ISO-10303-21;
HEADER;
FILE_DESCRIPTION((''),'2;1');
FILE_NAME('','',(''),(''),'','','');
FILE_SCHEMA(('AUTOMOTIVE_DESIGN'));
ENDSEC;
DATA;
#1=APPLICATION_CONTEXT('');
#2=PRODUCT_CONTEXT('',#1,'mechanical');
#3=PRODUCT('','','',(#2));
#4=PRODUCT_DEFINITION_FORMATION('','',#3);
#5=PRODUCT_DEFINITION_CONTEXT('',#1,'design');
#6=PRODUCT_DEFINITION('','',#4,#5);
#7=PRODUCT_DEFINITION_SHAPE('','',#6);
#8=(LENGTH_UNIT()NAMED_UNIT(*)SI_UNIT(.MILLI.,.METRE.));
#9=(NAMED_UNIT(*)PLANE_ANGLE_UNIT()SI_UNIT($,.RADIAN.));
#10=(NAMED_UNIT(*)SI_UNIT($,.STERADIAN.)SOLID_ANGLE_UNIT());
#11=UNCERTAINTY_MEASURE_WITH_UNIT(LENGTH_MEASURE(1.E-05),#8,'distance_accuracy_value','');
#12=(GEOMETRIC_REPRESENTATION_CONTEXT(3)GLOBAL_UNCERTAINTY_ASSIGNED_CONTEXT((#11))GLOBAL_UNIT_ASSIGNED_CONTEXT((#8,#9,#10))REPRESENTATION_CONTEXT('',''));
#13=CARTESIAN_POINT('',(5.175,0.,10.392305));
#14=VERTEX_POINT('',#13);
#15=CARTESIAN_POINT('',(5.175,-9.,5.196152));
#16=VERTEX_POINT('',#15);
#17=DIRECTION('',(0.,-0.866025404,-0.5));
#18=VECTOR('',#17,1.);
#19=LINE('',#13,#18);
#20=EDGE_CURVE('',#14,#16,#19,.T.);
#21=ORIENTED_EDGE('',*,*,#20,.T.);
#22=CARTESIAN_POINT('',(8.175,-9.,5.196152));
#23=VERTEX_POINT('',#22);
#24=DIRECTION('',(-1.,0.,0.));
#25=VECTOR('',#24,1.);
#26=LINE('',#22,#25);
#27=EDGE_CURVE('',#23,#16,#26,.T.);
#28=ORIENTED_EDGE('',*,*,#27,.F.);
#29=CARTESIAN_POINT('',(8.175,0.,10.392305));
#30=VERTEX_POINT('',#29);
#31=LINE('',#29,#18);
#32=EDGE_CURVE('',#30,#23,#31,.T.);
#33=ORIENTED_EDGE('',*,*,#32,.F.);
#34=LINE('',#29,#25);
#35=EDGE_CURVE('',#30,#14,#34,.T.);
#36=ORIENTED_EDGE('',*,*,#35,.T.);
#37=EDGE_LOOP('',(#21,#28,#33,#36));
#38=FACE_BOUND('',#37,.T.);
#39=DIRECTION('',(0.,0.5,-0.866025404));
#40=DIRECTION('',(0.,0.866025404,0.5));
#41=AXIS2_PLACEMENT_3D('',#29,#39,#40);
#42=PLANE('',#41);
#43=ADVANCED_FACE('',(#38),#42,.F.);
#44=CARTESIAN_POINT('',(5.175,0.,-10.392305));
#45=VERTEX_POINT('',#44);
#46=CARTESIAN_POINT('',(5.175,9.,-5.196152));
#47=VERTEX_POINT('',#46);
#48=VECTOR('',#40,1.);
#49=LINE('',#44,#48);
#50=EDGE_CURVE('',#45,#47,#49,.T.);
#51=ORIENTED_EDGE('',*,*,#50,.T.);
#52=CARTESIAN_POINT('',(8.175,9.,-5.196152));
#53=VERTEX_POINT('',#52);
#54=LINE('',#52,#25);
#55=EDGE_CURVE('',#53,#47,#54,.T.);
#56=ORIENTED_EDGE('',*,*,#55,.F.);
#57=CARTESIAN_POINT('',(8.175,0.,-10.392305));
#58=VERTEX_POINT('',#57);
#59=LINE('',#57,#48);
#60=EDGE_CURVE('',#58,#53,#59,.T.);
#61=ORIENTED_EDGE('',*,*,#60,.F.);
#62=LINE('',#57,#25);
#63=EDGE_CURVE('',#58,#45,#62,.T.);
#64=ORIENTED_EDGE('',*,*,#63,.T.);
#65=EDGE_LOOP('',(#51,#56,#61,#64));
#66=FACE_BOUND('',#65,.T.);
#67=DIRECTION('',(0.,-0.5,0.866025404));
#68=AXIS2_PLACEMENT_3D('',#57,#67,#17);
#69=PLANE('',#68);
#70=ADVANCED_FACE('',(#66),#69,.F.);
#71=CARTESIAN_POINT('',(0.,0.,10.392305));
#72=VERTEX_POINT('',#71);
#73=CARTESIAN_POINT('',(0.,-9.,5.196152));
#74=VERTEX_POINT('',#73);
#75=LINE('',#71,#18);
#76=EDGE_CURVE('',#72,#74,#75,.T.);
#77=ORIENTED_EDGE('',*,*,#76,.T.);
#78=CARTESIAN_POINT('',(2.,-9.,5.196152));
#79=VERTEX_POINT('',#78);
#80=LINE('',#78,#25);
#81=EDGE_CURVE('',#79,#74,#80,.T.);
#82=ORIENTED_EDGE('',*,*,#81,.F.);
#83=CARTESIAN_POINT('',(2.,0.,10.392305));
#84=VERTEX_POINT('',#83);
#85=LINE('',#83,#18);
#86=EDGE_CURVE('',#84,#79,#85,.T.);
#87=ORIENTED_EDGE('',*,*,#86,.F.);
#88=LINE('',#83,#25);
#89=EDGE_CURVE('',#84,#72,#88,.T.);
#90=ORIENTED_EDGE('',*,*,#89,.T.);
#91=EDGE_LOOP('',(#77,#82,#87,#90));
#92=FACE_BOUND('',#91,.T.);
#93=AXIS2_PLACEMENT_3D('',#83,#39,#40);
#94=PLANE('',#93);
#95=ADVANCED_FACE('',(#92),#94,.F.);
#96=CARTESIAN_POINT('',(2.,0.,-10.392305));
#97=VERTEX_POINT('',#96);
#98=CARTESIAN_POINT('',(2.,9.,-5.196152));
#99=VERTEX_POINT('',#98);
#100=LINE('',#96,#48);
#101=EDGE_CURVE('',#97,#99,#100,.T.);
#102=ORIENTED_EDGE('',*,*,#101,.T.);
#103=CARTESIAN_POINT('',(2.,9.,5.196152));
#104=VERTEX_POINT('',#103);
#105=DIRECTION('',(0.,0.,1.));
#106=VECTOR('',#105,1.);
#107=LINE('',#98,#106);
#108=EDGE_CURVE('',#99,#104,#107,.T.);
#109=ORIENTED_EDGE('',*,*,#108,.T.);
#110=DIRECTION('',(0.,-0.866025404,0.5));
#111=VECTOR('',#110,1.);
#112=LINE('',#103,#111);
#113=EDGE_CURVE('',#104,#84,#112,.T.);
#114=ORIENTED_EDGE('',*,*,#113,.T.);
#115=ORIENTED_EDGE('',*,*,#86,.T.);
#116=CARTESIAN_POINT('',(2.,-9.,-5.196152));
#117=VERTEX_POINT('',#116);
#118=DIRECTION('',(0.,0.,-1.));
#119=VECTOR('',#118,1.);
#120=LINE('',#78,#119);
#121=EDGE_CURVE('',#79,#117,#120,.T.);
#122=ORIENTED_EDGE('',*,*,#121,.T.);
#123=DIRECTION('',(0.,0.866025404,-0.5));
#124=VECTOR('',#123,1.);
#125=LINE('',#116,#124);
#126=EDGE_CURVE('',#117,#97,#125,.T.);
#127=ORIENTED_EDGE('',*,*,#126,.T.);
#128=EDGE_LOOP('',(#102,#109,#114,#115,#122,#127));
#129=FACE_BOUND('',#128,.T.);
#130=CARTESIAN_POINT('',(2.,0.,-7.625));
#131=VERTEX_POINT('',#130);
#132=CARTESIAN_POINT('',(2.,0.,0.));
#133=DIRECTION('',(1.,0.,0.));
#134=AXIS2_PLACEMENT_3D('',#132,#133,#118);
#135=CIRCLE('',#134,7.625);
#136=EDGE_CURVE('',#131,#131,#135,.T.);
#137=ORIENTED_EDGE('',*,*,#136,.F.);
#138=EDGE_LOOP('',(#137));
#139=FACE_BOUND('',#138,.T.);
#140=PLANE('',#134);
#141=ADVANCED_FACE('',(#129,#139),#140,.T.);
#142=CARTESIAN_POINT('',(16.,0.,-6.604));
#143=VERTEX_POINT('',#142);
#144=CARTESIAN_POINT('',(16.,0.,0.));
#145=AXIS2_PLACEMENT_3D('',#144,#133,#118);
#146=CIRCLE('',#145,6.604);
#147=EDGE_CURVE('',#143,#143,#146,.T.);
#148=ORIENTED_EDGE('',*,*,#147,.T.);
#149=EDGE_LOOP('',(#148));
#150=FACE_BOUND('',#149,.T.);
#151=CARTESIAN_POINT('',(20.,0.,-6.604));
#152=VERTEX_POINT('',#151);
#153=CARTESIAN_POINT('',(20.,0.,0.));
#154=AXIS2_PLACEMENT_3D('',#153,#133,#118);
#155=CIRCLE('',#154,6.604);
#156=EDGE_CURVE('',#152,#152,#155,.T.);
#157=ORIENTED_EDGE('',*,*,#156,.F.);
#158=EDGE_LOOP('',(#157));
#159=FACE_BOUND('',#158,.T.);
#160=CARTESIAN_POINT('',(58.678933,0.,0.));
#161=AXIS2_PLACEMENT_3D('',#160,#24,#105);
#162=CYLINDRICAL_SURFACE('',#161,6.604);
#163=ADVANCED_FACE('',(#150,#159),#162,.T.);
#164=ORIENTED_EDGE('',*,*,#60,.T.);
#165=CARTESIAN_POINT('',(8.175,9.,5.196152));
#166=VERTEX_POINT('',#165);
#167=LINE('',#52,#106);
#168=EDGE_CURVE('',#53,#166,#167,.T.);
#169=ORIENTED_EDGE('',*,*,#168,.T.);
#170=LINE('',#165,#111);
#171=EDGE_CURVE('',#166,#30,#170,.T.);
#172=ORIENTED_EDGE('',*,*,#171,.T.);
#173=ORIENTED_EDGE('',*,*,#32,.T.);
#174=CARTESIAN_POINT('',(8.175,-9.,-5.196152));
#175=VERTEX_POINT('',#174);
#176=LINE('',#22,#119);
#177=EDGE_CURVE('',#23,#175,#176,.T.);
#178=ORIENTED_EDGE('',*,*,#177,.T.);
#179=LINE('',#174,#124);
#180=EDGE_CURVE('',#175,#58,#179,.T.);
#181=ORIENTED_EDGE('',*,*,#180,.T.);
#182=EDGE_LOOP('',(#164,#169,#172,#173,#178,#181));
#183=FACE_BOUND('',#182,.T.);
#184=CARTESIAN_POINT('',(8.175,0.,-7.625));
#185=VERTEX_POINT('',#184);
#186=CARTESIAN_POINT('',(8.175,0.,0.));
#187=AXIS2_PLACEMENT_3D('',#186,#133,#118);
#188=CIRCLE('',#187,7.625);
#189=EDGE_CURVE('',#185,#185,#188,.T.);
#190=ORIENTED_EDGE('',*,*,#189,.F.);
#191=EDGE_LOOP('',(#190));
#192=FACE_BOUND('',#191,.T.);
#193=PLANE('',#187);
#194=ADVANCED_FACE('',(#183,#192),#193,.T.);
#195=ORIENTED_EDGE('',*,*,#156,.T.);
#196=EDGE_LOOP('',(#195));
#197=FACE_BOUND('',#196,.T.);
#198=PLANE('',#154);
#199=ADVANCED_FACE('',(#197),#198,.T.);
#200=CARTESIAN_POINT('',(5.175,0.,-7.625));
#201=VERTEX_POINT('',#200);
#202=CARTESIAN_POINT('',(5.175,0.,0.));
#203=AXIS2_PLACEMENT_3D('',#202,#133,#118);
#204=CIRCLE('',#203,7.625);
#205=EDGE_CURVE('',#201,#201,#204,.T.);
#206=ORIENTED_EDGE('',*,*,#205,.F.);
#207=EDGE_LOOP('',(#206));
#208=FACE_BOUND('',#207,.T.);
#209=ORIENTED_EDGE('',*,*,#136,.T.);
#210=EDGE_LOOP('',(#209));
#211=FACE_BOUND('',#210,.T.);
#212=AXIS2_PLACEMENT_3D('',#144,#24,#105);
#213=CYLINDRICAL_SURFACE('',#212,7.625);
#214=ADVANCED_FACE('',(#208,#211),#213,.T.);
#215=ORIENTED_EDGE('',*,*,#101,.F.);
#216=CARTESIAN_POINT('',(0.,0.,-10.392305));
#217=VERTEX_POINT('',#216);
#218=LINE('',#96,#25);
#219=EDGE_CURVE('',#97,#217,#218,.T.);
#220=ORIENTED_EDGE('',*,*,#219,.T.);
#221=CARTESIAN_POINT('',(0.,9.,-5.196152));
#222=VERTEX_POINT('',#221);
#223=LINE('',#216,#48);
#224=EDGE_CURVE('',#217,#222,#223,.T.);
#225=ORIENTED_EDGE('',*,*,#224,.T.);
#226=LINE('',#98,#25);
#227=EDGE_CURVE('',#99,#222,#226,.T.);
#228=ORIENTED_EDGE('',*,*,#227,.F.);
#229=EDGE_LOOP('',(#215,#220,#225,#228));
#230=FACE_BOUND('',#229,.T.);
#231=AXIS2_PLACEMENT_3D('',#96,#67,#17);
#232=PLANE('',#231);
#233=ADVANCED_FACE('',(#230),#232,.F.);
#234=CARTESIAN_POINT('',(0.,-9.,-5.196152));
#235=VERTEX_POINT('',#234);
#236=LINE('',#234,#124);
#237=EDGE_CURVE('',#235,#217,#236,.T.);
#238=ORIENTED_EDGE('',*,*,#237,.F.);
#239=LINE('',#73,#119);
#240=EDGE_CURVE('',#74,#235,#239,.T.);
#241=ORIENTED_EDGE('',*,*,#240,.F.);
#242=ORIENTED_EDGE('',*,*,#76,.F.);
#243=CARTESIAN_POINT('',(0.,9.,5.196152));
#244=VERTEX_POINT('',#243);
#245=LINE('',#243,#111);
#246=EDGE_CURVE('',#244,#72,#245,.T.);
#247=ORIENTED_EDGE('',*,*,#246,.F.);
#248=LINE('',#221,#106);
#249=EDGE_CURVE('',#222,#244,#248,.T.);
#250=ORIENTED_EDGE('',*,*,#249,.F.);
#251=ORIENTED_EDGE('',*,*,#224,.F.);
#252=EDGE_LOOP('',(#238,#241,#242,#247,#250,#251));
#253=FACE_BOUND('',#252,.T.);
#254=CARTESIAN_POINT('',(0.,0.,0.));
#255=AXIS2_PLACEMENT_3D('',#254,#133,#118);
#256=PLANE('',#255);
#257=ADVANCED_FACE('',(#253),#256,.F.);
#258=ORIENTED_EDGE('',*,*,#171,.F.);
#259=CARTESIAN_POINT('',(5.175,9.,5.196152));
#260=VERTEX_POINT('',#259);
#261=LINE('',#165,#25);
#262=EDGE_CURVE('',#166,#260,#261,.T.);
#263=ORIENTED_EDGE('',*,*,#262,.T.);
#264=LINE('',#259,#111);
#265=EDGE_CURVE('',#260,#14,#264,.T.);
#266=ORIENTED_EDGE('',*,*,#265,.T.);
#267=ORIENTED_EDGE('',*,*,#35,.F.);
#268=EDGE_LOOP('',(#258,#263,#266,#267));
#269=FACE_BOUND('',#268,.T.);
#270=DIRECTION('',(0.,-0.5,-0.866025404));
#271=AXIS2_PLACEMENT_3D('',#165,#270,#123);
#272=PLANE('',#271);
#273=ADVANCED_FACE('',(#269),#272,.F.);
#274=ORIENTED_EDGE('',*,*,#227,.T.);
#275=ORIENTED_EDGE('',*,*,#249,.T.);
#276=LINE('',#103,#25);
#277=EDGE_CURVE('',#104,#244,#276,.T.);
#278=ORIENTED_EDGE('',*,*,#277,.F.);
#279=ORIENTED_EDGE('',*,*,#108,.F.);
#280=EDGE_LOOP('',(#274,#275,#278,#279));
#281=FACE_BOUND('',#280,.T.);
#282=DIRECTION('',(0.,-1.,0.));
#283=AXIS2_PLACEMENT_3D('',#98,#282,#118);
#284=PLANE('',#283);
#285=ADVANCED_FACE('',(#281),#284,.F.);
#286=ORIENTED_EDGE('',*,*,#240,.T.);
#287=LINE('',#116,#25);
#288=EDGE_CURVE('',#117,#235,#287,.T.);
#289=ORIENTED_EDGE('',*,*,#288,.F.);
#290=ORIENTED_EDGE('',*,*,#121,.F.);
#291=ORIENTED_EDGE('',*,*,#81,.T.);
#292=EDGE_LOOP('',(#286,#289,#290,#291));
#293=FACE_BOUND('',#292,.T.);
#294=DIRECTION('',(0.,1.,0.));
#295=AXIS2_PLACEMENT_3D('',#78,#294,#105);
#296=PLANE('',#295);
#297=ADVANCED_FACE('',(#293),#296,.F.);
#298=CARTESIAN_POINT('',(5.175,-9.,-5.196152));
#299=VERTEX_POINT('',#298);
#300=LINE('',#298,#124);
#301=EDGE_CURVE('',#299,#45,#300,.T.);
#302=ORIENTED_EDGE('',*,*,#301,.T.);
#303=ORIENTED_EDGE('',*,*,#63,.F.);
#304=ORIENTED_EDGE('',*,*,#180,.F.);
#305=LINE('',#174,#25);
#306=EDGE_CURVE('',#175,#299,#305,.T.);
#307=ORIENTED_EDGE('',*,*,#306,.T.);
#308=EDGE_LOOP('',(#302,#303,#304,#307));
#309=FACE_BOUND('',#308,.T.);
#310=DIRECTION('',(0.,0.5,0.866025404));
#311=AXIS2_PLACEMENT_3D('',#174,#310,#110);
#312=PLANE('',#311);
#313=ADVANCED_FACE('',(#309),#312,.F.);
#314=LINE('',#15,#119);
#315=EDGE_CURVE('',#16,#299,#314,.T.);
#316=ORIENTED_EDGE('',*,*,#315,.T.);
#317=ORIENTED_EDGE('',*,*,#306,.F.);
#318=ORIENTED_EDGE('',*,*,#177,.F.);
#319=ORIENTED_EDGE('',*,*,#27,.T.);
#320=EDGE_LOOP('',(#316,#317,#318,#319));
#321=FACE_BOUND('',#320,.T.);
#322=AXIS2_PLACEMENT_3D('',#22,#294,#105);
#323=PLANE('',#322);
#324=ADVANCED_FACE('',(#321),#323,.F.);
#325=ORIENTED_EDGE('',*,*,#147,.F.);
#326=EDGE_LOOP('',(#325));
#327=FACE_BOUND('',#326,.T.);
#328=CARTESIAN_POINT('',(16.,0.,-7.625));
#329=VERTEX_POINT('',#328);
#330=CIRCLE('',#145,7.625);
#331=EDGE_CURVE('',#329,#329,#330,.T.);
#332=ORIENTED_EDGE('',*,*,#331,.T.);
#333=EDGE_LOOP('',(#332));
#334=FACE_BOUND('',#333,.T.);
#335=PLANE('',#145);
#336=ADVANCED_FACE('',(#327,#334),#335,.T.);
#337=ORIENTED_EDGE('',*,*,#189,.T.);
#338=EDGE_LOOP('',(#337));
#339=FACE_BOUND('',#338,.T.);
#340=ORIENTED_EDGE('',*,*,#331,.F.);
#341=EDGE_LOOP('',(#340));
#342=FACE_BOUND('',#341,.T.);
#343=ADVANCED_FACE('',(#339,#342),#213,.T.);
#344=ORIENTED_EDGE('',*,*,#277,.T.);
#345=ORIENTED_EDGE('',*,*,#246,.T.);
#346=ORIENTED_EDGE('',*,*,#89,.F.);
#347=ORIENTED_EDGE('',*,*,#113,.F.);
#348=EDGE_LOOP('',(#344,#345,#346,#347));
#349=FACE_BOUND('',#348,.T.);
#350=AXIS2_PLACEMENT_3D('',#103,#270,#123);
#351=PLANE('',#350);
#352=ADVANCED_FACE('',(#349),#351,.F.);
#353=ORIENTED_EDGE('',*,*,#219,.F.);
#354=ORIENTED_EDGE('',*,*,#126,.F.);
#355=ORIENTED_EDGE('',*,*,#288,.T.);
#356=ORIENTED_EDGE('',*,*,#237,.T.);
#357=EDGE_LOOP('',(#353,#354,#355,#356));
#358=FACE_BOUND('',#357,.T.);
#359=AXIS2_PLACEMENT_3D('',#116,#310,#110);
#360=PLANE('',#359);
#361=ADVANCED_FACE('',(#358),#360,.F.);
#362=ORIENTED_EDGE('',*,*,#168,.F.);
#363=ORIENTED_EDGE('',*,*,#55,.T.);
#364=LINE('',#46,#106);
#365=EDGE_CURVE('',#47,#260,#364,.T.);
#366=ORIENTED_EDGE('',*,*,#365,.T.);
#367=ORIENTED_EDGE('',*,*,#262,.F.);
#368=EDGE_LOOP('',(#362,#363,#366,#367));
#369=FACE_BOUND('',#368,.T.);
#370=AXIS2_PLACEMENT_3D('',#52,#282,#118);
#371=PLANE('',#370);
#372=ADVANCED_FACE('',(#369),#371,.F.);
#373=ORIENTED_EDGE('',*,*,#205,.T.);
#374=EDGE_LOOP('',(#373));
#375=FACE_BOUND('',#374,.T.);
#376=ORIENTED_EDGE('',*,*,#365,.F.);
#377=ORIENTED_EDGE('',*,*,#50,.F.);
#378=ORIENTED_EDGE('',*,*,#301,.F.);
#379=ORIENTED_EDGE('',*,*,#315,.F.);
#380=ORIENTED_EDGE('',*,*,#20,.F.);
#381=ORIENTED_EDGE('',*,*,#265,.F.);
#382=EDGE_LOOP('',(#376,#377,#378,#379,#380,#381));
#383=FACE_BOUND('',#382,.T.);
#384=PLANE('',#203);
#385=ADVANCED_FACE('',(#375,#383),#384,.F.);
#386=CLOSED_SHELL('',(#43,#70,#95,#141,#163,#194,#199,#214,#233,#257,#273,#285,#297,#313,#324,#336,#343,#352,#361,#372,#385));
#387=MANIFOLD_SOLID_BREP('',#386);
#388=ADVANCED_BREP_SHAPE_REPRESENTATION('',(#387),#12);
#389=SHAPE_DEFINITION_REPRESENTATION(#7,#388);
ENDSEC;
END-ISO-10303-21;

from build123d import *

# Parameters (mm, degrees)
BOSS_EXTRUDE1_DEPTH = 2
SKETCH2_R           = 7.625
BOSS_EXTRUDE2_DEPTH = 14
SKETCH3_R           = 6.604
BOSS_EXTRUDE3_DEPTH = 4
BOSS_EXTRUDE4_START = 3.175
BOSS_EXTRUDE4_DEPTH = 3


with BuildPart() as part:
    # Sketch1 → Boss-Extrude1 (new body)
    with BuildSketch(Plane(origin=(0, 0, 0), x_dir=(0, 0, -1), z_dir=(1, 0, 0))):
        Polygon((5.196152442, 9.000000034), (-5.196152442, 9.000000034), (-10.392304885, 0), (-5.196152442, -9.000000034), (5.196152442, -9.000000034), (10.392304885, 0), align=None)
    extrude(amount=BOSS_EXTRUDE1_DEPTH)

    # Sketch2 → Boss-Extrude2 (add)
    with BuildSketch(Plane(origin=(2, 0, 0), x_dir=(0, 0, -1), z_dir=(1, 0, 0))):
        Circle(SKETCH2_R)
    extrude(amount=BOSS_EXTRUDE2_DEPTH)

    # Sketch3 → Boss-Extrude3 (add)
    with BuildSketch(Plane(origin=(16, 0, 0), x_dir=(0, 0, -1), z_dir=(1, 0, 0))):
        Circle(SKETCH3_R)
    extrude(amount=BOSS_EXTRUDE3_DEPTH)

    # Sketch4 → Boss-Extrude4 (add)
    with BuildSketch(Plane(origin=(2, 0, 0), x_dir=(0, 0, -1), z_dir=(1, 0, 0)).offset(BOSS_EXTRUDE4_START)):
        Polygon((10.392304885, 0), (5.196152442, 9.000000034), (-5.196152442, 9.000000034), (-10.392304885, 0), (-5.196152442, -9.000000034), (5.196152442, -9.000000034), align=None)
    extrude(amount=BOSS_EXTRUDE4_DEPTH)


solid = part.part
